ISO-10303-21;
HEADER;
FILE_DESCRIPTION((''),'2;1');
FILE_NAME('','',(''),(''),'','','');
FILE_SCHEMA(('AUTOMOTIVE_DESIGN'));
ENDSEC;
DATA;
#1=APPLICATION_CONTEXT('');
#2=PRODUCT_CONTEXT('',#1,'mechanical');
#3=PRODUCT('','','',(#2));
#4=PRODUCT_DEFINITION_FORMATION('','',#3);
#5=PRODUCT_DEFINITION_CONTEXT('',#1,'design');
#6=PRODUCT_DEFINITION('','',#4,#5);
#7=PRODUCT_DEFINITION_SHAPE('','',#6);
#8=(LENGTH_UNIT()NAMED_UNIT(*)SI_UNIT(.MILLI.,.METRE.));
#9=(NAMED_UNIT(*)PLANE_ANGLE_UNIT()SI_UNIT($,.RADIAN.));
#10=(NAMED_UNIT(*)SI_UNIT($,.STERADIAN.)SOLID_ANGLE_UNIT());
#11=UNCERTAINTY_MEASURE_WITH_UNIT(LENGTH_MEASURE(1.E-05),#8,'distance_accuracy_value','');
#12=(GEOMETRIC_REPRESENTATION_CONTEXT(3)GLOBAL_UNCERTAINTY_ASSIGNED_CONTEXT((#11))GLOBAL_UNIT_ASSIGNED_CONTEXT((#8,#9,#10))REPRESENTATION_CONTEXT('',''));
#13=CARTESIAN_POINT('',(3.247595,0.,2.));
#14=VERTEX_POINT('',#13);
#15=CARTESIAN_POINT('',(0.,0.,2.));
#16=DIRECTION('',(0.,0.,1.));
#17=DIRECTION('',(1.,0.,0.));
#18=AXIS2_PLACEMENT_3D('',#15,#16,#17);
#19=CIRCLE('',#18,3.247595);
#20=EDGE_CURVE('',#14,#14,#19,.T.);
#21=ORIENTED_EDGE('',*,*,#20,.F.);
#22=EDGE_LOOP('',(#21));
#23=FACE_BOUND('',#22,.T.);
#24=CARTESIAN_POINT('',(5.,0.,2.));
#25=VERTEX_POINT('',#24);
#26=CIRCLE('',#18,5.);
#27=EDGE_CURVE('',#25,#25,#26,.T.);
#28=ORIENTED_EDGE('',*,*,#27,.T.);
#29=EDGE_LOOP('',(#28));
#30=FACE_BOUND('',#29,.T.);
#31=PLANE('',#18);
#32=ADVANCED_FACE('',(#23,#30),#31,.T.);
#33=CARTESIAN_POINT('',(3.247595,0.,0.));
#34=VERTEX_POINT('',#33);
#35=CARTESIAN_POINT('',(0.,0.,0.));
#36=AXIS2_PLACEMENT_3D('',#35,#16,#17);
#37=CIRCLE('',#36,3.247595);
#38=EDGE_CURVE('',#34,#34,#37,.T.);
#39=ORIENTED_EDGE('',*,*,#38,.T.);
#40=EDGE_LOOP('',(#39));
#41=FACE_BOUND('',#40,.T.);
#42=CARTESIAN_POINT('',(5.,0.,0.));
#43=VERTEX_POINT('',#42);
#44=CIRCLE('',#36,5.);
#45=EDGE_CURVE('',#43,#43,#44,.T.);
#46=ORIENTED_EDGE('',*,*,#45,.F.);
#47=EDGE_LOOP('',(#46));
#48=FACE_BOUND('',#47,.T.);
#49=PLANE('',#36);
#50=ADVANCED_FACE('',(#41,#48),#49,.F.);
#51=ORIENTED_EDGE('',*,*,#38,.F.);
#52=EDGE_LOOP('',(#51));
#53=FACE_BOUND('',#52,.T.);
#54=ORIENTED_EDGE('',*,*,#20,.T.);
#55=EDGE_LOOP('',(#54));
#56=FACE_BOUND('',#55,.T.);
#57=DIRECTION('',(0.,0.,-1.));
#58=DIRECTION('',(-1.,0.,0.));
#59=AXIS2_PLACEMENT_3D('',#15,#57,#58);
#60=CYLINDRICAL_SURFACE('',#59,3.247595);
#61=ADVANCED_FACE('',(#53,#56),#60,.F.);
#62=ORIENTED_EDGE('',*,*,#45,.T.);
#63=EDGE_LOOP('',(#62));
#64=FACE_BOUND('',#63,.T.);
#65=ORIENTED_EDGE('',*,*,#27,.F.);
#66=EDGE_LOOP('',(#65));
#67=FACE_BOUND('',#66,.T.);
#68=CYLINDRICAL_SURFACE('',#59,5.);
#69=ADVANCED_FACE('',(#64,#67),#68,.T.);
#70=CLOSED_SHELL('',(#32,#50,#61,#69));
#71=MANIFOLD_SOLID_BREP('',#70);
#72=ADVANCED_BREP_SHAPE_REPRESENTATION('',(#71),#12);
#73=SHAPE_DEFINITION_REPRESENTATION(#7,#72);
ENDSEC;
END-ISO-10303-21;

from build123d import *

# Parameters (mm, degrees)
SKETCH1_R           = 5
SKETCH1_R_2         = 3.247595264
BOSS_EXTRUDE1_DEPTH = 2


with BuildPart() as part:
    # Sketch1 → Boss-Extrude1 (new body)
    with BuildSketch(Plane.XY):
        Circle(SKETCH1_R)
        Circle(SKETCH1_R_2, mode=Mode.SUBTRACT)
    extrude(amount=BOSS_EXTRUDE1_DEPTH)


solid = part.part
